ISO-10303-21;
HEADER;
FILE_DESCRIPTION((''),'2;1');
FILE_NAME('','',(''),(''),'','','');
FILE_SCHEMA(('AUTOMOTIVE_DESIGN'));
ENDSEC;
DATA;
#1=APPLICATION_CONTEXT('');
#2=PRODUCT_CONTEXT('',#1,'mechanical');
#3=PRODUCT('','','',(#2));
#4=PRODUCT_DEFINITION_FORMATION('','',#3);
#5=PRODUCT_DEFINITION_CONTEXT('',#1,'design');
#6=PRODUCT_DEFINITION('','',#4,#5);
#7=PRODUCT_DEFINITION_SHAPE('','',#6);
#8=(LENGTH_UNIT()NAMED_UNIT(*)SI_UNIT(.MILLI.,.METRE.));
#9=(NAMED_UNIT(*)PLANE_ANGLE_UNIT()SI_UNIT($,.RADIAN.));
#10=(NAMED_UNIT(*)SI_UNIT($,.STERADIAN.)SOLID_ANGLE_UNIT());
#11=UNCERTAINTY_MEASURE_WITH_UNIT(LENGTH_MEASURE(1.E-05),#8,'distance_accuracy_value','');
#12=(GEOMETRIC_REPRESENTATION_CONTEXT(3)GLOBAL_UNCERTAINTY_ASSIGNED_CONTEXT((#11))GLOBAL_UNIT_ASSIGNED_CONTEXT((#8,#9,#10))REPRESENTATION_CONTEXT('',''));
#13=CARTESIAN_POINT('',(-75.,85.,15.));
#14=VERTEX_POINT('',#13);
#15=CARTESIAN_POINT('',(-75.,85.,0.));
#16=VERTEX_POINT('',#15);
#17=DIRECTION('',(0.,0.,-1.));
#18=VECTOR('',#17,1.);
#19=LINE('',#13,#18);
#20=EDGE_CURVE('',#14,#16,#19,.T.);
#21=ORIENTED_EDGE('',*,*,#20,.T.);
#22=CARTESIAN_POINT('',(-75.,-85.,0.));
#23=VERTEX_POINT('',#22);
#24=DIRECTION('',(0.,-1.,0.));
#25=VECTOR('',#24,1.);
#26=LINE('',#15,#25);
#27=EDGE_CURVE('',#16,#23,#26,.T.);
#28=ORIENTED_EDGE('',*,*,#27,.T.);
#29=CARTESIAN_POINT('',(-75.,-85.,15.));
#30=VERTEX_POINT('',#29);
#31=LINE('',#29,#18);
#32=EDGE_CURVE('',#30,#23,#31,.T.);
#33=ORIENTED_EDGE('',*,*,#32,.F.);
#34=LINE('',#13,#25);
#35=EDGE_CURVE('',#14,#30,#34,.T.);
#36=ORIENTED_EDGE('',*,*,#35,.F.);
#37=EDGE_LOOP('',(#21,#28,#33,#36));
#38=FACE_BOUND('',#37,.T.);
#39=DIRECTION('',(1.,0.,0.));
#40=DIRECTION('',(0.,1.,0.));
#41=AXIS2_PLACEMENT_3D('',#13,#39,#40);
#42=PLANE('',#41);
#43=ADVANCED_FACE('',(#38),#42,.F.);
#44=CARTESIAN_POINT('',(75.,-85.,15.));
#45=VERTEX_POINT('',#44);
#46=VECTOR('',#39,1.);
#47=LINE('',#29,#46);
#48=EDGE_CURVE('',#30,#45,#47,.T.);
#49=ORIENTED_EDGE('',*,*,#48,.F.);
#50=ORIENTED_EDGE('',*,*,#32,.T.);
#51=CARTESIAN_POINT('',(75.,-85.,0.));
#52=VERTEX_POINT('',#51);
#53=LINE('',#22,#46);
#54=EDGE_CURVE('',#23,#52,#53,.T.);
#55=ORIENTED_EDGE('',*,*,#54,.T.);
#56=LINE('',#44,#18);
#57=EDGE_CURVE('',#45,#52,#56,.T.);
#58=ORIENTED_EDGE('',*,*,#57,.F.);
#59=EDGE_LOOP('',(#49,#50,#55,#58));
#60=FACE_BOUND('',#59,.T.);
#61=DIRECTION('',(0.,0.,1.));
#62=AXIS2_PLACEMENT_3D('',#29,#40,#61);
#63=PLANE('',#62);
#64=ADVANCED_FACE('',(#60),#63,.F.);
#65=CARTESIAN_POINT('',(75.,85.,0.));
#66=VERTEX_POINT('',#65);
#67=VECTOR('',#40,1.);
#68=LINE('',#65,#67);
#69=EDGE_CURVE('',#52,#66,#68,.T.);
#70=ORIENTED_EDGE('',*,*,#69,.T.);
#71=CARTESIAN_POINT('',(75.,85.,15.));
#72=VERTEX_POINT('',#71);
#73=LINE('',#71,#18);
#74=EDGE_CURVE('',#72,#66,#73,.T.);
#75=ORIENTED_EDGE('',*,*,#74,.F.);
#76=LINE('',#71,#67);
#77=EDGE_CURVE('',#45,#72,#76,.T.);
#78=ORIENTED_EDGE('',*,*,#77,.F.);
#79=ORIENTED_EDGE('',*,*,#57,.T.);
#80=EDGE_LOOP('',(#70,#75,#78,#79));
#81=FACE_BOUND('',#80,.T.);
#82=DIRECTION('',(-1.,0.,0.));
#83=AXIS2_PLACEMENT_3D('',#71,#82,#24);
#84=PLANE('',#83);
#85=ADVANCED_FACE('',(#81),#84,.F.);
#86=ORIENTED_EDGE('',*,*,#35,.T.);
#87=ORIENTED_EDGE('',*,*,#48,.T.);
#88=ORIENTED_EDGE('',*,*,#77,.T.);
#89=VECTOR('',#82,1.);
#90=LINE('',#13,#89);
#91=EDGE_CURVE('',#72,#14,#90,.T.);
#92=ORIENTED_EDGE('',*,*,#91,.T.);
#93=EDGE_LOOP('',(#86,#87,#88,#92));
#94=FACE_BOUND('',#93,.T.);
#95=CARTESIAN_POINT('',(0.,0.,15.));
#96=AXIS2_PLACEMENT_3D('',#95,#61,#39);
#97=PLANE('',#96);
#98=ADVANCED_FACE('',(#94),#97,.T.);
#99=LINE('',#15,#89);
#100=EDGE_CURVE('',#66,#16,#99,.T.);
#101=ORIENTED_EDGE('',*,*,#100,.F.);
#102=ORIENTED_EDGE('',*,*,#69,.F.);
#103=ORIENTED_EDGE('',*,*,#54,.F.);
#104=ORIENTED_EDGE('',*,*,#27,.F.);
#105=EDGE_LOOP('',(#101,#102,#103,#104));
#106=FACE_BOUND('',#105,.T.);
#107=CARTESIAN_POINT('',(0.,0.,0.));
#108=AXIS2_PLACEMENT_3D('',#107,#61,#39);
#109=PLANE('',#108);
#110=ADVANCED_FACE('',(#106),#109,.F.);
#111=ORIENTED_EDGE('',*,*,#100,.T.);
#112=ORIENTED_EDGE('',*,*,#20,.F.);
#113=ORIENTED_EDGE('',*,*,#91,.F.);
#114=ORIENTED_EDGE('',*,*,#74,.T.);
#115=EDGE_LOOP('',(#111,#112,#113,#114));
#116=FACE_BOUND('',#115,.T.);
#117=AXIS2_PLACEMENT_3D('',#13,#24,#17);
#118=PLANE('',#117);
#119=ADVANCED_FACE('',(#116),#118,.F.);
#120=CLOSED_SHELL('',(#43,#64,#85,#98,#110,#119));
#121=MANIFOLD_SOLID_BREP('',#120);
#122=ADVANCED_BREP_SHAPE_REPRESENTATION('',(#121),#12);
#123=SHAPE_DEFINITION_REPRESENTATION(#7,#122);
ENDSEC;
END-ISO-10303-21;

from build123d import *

# Parameters (mm, degrees)
SKETCH_1_W      = 150
SKETCH_1_H      = 170
EXTRUDE_1_DEPTH = 15


with BuildPart() as part:
    # 草图1 → 凸台-拉伸1 (new body)
    with BuildSketch(Plane.XY):
        Rectangle(SKETCH_1_W, SKETCH_1_H)
    extrude(amount=EXTRUDE_1_DEPTH)


solid = part.part
